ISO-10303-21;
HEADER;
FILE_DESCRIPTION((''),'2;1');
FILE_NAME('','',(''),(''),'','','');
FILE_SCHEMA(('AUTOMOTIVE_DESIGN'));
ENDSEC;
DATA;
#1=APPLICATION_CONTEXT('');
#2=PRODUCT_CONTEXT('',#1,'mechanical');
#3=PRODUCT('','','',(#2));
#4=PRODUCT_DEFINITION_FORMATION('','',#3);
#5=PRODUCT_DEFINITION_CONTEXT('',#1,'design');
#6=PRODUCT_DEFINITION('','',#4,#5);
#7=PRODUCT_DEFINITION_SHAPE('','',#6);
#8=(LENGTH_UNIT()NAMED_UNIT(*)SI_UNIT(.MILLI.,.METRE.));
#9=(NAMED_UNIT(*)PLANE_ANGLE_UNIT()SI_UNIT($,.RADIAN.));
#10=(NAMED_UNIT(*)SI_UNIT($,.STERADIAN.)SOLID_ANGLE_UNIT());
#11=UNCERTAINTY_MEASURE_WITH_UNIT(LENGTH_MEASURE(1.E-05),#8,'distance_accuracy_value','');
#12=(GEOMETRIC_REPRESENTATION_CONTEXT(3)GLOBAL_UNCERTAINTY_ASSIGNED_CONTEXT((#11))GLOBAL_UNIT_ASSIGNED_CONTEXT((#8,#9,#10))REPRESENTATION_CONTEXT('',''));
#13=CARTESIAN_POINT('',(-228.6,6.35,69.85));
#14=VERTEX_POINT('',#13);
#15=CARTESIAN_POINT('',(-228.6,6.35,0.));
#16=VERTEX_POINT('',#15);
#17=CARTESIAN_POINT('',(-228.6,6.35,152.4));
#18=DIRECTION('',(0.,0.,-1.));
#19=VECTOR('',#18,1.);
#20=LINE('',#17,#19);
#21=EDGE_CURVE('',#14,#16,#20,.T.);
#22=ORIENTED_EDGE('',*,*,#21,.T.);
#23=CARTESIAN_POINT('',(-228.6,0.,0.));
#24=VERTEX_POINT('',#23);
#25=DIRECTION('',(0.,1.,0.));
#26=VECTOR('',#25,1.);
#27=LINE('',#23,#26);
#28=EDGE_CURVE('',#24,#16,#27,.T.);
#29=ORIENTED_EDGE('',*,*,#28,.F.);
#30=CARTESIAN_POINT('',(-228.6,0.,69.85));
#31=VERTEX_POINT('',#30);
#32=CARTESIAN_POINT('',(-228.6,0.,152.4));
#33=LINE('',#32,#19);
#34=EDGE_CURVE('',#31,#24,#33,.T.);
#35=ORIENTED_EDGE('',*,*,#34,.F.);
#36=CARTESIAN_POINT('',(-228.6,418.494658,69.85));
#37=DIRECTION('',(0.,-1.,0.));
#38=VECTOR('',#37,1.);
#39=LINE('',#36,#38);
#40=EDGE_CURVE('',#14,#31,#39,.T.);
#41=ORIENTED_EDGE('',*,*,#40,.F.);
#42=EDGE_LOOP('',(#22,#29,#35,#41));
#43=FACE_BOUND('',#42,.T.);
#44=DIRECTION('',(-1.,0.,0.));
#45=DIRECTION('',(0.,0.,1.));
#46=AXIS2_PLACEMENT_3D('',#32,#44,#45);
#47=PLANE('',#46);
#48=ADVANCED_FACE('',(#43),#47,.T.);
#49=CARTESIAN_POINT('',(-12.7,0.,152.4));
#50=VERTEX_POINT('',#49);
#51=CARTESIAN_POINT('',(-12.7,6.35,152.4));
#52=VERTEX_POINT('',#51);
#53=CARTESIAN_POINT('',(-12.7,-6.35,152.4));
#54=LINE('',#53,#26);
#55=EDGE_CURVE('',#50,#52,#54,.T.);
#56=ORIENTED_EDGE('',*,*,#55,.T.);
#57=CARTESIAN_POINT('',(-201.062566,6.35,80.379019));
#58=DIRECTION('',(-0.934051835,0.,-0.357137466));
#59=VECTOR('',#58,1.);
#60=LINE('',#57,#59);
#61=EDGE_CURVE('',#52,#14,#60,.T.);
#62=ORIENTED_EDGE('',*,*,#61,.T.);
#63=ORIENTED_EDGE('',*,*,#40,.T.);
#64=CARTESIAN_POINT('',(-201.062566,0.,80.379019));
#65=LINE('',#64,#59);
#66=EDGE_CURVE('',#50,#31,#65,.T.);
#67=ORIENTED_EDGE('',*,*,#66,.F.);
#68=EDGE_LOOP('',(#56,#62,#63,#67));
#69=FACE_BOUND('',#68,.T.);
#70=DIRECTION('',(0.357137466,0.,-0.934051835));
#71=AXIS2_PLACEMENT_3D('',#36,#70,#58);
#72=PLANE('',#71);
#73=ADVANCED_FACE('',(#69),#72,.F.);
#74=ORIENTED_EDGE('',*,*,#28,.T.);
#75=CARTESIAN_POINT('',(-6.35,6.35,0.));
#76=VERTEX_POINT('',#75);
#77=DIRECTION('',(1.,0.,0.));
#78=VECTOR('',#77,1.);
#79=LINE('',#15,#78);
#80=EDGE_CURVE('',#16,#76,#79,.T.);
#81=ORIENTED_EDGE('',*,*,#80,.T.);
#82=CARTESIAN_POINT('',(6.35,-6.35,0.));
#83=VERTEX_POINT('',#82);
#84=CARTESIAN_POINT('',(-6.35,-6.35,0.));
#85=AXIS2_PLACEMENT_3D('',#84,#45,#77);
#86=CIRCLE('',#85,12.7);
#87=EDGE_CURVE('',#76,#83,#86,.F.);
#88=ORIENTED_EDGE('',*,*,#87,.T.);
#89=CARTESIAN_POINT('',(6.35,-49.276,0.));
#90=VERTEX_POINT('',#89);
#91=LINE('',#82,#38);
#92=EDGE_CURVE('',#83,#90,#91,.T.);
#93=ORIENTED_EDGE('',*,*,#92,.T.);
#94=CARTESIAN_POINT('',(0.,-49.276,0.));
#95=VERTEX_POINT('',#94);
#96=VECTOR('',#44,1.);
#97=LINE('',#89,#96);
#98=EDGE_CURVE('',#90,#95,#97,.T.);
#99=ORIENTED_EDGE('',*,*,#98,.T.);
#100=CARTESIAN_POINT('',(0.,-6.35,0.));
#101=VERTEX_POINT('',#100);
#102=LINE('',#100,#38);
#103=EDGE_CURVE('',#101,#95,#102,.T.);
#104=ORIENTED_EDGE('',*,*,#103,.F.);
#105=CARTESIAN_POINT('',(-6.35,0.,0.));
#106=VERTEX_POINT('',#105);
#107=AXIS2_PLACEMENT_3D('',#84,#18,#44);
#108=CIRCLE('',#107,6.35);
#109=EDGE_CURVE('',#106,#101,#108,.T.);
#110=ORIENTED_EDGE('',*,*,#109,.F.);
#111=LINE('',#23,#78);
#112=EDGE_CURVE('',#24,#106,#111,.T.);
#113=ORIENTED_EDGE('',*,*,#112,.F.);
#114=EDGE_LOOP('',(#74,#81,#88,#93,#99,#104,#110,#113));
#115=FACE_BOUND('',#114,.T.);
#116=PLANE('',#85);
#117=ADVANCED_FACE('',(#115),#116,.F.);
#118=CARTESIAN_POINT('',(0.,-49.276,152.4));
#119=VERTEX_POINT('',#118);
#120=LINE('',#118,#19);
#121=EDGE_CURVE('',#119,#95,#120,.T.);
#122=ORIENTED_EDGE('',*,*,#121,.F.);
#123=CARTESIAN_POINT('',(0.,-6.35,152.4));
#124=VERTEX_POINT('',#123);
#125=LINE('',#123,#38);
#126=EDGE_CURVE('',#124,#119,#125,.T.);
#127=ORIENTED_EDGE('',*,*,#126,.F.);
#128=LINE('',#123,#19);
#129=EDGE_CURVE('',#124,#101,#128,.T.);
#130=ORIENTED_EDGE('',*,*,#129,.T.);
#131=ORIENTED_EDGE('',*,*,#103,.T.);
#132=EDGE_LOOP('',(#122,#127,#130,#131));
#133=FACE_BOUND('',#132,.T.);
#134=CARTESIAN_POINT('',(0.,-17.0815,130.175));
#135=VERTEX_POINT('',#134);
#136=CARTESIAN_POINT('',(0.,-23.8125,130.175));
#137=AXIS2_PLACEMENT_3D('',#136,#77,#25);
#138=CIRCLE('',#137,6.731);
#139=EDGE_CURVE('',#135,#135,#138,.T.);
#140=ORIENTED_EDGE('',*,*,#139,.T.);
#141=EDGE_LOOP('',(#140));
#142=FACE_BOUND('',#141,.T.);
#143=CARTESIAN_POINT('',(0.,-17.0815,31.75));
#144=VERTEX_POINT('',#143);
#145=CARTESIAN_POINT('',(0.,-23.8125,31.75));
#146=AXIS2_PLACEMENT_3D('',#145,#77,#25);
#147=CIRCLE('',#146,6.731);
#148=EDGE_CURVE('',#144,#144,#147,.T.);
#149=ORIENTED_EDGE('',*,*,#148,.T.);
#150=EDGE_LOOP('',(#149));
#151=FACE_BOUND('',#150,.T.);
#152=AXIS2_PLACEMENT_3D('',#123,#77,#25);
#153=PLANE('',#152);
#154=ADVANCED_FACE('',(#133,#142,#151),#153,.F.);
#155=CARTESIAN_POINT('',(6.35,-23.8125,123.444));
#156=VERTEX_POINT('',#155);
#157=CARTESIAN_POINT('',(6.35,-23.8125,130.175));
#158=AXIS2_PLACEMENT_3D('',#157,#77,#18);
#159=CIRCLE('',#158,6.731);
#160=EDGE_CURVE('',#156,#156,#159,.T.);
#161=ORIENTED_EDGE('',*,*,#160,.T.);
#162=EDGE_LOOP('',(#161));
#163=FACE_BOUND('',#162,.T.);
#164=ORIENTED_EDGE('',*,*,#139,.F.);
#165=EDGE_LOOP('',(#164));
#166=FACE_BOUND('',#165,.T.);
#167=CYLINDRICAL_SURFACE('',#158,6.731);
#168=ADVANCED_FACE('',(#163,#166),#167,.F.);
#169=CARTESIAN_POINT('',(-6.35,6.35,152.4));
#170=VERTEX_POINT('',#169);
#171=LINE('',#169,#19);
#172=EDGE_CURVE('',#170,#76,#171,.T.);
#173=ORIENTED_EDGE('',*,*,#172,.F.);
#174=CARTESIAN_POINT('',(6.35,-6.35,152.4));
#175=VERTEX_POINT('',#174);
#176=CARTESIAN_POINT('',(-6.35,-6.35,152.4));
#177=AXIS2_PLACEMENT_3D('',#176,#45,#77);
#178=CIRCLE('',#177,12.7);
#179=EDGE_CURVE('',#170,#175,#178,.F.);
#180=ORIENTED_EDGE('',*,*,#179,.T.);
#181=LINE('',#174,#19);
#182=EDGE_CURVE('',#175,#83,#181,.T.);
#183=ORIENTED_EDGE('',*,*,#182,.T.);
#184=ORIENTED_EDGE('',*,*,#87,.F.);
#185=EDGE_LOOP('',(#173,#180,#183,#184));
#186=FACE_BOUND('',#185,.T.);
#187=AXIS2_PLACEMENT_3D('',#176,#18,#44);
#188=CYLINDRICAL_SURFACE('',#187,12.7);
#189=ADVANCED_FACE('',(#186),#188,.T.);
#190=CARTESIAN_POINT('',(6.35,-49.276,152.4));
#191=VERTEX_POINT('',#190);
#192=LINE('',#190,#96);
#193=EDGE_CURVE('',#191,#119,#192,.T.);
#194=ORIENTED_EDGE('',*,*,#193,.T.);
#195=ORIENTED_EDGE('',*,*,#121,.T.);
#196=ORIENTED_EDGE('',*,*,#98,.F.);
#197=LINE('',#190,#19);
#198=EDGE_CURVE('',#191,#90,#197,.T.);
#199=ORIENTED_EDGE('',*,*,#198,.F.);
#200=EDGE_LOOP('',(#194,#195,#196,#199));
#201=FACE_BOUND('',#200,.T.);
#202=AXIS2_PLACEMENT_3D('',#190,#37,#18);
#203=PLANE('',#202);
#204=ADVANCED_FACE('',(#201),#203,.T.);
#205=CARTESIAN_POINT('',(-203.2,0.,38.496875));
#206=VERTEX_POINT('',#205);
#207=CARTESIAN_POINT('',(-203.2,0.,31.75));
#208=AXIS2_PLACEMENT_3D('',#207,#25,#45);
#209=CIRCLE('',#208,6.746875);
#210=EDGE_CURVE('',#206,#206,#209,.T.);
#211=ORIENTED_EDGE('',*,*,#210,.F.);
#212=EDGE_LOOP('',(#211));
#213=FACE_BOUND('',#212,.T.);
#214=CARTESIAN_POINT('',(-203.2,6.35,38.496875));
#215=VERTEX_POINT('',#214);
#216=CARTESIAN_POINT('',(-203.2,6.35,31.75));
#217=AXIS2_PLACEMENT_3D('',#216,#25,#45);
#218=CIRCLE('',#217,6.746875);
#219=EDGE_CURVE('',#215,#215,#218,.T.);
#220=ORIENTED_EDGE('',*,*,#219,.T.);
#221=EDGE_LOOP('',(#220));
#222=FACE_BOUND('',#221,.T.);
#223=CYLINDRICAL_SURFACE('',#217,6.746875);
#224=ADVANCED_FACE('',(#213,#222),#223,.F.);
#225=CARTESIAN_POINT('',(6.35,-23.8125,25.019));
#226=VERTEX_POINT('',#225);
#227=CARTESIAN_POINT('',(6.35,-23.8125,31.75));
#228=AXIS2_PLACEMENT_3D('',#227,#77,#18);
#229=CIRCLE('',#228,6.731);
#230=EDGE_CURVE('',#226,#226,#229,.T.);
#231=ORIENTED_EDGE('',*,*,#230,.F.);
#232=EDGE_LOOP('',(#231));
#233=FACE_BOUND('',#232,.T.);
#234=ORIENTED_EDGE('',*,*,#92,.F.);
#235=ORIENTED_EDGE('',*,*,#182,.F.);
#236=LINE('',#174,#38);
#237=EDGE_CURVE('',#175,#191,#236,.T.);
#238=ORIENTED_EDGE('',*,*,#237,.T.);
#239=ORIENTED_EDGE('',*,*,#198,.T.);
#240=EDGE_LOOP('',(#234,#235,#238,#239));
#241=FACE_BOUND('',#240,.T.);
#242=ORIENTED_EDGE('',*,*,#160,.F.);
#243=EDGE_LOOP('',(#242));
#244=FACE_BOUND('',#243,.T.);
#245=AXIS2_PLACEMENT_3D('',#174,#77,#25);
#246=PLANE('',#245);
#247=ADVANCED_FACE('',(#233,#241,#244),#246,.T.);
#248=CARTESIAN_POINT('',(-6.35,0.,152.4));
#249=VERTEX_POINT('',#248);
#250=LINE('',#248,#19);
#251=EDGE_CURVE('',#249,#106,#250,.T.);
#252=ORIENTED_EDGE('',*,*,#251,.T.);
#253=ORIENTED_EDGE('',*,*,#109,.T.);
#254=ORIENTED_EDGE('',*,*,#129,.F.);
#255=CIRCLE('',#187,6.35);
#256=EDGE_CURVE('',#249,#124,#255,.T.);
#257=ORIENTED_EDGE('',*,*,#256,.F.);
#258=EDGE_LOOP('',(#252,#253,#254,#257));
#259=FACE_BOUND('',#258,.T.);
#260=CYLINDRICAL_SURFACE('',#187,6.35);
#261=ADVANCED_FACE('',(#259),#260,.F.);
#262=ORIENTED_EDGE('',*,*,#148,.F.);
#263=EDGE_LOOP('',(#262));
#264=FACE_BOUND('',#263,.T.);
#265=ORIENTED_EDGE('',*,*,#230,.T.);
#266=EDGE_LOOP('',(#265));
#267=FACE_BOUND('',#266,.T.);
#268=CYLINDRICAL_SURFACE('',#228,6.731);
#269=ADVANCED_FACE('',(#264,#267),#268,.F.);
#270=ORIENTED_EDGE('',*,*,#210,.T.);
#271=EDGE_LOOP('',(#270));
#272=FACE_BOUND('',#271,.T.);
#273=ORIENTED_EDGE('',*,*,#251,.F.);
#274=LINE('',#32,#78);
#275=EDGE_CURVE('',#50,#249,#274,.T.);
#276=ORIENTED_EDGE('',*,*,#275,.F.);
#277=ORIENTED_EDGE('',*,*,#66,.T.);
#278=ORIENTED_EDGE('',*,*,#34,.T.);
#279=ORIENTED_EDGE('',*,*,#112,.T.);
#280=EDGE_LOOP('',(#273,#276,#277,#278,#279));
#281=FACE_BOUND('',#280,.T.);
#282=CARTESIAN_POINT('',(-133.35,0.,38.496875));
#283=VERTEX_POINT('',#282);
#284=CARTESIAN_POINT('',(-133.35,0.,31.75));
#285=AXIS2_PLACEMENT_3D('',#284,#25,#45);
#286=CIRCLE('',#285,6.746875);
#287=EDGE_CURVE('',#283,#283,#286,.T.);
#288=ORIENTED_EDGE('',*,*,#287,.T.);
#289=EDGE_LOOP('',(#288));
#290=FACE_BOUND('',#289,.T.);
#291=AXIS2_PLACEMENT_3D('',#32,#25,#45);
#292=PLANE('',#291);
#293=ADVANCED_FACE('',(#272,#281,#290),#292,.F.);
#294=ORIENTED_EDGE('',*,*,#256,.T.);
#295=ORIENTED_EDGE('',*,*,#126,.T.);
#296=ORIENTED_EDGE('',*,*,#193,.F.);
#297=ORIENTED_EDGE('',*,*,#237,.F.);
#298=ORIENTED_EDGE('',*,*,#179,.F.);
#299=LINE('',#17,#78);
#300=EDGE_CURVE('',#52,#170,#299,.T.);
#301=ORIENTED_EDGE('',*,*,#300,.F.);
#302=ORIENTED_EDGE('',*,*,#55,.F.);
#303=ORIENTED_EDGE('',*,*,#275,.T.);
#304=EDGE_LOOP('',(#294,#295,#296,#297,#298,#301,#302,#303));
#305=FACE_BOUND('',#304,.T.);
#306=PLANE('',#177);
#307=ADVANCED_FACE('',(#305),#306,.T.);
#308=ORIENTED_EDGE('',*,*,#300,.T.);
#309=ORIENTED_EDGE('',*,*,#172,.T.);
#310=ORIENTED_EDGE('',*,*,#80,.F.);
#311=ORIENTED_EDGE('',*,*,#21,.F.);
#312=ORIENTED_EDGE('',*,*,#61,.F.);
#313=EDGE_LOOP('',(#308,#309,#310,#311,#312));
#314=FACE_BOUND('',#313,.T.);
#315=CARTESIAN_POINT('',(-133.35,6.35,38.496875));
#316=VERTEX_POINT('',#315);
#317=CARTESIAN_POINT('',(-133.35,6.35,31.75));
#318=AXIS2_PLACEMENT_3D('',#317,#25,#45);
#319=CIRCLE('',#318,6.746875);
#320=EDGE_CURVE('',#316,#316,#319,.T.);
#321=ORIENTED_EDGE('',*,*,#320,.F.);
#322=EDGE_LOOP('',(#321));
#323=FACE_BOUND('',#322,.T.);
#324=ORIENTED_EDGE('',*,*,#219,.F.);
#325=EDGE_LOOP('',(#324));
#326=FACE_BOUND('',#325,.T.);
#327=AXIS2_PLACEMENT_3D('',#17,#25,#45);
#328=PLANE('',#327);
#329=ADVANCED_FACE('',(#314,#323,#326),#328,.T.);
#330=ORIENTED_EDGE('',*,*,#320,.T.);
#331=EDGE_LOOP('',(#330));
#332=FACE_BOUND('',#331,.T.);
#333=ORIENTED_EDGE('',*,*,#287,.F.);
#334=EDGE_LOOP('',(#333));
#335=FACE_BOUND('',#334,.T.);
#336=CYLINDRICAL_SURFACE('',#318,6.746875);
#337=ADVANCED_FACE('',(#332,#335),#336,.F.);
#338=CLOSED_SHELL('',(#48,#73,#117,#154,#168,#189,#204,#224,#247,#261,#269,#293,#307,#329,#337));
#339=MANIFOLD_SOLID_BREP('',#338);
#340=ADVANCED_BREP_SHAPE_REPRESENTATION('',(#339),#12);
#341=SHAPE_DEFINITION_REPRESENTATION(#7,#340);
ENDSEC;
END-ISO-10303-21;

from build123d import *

# Parameters (mm, degrees)
BASE_EXTRUDE_THIN_DEPTH = 152.4
CUT_CNR_DEPTH           = 7.35
CUT_CNR_DEPTH_BACK      = 50.276
HOLE_FLG_D              = 13.462
HOLE_TOP_D              = 13.49375
HOLE_TOP_DEPTH          = 25.4


with BuildPart() as part:
    # Sketch1 → Base-Extrude-Thin (new body)
    with BuildSketch(Plane.XY):
        with BuildLine():
            Line((-228.6, 0), (-6.35, 0))
            ThreePointArc((-6.35, 0), (-1.859871939, -1.859871939), (0, -6.35))
            Line((0, -6.35), (0, -49.276))
            Line((0, -49.276), (6.35, -49.276))
            Line((6.35, -49.276), (6.35, -6.35))
            ThreePointArc((6.35, -6.35), (2.630256121, 2.630256121), (-6.35, 6.35))
            Line((-6.35, 6.35), (-228.6, 6.35))
            Line((-228.6, 6.35), (-228.6, 0))
        make_face()
    extrude(amount=BASE_EXTRUDE_THIN_DEPTH)

    # Sketch2 → Cut cnr (cut, two sides)
    with BuildSketch(Plane(origin=(0, 0, 0), x_dir=(1, 0, 0), z_dir=(0, 1, 0))) as cut_cnr_sk:
        Polygon((-731.624052823, 122.482726079), (-228.6, -69.85), (-12.7, -152.4), (490.324052823, -344.732726079), (105.658600664, -1350.780831726), (-1116.289504982, -883.565379567), align=None)
    extrude(amount=CUT_CNR_DEPTH, mode=Mode.SUBTRACT)
    extrude(cut_cnr_sk.sketch, amount=-CUT_CNR_DEPTH_BACK, mode=Mode.SUBTRACT)

    # Hole-flg (through all)
    with Locations(Plane(origin=(6.35, 0, 0), x_dir=(0, 0, -1), z_dir=(1, 0, 0))):
        with Locations((-130.175, -23.8125), (-31.75, -23.8125)):
            Hole(HOLE_FLG_D / 2)

    # Hole-top
    with Locations(Plane(origin=(0, 6.35, 0), x_dir=(-1, 0, 0), z_dir=(0, 1, 0))):
        with Locations((203.2, 31.75), (133.35, 31.75)):
            Hole(HOLE_TOP_D / 2, depth=HOLE_TOP_DEPTH)


solid = part.part
